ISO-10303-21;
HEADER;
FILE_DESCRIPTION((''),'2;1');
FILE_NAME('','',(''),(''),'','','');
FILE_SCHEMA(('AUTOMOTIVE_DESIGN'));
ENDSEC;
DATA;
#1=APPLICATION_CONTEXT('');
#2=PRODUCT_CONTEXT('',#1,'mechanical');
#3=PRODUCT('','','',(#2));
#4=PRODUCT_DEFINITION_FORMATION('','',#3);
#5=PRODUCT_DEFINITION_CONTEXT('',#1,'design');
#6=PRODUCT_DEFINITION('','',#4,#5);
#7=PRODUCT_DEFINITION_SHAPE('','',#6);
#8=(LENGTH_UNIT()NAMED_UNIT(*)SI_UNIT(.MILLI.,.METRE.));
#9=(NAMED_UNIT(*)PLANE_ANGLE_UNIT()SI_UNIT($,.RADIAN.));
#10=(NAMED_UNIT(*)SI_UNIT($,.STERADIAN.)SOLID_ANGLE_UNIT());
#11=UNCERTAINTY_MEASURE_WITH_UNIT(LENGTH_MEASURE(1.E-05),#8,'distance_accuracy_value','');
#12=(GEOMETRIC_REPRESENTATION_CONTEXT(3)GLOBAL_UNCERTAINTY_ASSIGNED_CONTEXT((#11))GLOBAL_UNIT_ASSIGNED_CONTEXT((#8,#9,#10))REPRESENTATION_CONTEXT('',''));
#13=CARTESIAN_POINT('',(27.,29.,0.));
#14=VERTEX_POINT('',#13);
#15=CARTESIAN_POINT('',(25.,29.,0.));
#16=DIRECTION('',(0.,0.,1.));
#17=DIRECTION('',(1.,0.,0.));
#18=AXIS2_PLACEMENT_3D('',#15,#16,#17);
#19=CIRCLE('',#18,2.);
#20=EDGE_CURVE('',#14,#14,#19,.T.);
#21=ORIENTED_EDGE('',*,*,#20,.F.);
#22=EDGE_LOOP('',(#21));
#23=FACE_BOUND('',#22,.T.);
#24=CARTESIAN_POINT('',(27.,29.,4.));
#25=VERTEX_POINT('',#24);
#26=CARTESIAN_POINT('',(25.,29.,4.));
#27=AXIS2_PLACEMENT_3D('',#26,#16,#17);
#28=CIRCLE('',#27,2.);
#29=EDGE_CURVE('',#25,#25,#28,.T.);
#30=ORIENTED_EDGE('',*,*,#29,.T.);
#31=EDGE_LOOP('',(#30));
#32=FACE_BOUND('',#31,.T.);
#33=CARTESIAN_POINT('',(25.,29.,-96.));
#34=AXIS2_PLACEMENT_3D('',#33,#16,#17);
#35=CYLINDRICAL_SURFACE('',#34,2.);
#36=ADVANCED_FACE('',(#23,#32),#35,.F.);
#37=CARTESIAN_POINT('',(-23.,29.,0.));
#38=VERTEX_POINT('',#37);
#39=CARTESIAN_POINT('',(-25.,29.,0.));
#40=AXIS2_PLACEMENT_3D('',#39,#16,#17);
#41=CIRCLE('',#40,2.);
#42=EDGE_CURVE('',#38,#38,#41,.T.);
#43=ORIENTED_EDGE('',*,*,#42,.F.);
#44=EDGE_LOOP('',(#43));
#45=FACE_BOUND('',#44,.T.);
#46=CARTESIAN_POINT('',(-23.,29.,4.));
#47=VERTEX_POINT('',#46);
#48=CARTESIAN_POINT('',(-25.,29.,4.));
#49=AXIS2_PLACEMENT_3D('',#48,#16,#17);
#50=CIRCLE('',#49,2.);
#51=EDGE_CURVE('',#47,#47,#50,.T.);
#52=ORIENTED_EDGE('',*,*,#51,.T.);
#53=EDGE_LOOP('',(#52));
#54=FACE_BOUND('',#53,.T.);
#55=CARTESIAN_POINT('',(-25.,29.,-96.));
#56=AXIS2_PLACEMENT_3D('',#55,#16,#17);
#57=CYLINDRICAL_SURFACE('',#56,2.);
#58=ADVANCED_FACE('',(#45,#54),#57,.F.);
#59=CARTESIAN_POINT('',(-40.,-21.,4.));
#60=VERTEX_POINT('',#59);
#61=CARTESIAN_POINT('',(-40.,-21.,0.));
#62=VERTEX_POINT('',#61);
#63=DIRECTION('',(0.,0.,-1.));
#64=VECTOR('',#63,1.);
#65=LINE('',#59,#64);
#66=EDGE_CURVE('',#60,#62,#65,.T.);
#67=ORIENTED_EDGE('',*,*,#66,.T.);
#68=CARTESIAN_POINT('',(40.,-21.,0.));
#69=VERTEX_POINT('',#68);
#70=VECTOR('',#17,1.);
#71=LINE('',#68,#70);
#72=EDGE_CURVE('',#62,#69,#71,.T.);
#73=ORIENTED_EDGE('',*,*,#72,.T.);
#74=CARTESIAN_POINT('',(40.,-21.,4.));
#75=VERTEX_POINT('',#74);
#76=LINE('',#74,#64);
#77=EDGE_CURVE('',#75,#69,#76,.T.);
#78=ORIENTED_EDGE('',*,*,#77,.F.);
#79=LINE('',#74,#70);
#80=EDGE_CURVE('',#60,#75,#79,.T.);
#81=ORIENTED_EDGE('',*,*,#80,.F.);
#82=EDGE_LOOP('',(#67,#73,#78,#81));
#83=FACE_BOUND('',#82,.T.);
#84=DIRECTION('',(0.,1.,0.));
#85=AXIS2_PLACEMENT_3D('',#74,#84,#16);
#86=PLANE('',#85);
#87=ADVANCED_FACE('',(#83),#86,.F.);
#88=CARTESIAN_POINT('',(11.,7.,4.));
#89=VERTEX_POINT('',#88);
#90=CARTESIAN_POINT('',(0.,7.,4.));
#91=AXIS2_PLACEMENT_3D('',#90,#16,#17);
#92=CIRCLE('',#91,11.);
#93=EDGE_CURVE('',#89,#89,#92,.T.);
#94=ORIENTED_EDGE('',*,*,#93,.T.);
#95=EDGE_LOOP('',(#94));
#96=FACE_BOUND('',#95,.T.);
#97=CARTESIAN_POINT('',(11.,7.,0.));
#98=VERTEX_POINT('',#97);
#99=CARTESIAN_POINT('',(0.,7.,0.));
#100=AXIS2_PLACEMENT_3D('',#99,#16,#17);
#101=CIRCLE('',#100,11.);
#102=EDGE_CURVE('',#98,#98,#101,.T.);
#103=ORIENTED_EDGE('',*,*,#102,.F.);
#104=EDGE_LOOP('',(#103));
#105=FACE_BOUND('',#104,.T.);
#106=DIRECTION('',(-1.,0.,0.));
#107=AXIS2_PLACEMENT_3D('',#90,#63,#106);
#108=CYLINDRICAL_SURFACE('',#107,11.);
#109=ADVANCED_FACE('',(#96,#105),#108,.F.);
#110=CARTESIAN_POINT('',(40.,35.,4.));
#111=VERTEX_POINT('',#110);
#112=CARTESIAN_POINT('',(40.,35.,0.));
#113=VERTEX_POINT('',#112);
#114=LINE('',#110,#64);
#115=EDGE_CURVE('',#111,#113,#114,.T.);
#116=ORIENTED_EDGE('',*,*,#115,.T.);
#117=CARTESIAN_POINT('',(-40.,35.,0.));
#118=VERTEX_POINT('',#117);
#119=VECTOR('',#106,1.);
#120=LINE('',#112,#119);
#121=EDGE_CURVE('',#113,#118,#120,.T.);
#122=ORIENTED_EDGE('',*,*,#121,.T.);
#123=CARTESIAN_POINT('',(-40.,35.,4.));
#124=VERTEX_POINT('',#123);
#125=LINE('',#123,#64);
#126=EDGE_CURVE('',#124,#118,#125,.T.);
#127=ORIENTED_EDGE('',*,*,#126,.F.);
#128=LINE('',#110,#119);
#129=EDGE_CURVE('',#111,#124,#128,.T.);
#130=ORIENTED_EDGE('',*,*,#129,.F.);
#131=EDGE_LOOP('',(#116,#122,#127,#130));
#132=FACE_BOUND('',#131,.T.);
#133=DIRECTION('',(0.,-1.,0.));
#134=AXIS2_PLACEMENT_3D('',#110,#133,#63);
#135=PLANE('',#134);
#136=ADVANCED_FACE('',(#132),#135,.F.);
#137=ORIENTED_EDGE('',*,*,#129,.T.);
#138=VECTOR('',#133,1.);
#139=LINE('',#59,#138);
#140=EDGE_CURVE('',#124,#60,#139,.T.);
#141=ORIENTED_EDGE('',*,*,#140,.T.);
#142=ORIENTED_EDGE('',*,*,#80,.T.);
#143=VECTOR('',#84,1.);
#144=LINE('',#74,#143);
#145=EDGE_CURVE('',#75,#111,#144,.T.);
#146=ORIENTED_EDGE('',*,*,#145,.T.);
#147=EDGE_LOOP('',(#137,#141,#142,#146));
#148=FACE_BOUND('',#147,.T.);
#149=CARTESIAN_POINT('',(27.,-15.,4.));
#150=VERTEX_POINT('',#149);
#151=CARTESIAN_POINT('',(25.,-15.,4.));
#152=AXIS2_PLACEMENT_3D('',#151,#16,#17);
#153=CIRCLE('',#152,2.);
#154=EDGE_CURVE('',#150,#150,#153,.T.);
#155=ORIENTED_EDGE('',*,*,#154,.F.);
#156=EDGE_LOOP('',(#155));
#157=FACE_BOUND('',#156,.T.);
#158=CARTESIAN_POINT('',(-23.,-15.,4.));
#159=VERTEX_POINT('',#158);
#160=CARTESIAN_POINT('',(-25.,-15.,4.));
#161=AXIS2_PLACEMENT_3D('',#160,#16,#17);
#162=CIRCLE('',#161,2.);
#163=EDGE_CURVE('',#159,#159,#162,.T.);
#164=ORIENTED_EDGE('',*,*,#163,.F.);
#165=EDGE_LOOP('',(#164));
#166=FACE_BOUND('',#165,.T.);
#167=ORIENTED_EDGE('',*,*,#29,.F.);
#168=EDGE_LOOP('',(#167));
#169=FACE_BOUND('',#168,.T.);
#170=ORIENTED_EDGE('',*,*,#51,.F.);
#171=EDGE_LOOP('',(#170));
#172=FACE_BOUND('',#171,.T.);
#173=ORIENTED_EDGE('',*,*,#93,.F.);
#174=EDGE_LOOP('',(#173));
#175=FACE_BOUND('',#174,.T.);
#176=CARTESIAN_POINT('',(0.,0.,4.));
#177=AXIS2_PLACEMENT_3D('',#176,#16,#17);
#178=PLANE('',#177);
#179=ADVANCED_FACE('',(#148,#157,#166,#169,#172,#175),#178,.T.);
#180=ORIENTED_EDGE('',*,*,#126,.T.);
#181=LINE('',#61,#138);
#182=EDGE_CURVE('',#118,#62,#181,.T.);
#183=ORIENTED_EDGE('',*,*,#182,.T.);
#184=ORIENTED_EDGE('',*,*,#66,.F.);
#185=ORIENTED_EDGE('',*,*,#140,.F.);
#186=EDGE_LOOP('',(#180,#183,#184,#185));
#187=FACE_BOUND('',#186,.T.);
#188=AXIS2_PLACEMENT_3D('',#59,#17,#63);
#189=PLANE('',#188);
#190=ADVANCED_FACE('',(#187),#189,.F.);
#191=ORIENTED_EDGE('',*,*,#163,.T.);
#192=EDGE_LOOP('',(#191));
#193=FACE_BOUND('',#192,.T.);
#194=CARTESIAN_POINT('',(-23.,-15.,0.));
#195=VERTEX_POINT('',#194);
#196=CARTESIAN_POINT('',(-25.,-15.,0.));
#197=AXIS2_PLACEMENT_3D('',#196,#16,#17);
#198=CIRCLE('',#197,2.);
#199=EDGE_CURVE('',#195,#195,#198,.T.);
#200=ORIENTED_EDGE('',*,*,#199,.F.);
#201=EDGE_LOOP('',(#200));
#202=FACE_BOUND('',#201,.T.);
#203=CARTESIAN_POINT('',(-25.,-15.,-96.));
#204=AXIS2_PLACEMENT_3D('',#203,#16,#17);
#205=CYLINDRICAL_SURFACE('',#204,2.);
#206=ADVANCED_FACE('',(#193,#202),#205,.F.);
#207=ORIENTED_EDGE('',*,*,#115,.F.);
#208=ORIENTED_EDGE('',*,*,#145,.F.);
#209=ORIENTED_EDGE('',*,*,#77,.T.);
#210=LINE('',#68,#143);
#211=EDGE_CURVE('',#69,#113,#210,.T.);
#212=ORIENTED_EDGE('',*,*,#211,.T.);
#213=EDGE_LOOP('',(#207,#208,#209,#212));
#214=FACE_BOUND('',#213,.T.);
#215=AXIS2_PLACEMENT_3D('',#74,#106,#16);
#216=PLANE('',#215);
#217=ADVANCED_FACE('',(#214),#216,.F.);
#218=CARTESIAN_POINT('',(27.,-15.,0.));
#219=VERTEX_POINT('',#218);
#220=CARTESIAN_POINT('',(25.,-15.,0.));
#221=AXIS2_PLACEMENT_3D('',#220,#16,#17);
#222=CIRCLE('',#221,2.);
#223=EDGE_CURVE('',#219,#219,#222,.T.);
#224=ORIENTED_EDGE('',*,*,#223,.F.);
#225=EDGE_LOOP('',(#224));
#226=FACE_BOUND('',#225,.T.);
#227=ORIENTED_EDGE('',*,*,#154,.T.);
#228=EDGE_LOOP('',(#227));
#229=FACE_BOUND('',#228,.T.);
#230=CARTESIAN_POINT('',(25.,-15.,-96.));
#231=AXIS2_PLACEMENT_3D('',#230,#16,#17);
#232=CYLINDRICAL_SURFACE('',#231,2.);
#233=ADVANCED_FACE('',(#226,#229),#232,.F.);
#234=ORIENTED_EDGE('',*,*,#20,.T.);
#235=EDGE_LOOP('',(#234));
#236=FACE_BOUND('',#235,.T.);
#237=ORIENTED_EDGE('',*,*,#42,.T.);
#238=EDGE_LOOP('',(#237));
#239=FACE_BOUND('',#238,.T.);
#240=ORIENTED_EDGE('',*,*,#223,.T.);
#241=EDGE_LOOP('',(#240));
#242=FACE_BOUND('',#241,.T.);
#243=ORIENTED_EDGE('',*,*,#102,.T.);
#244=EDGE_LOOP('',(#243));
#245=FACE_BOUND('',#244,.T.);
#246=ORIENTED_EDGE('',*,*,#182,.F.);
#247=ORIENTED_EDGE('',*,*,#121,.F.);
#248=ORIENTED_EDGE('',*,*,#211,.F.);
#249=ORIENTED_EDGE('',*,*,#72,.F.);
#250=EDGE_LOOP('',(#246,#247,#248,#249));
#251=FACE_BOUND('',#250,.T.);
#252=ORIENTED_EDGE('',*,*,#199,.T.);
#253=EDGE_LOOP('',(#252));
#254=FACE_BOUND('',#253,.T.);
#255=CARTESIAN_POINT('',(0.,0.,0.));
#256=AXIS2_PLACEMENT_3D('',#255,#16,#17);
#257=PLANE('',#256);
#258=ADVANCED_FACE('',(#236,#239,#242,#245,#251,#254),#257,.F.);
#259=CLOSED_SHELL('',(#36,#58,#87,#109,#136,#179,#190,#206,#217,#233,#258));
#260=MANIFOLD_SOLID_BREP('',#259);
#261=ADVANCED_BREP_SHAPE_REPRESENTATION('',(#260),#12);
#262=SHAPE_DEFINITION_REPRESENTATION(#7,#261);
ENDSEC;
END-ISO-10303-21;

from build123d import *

# Parameters (mm, degrees)
SKETCH_1_W                  = 80
SKETCH_1_H                  = 56
SKETCH_1_R                  = 11
EXTRUDE_1_DEPTH             = 4
SKETCH_2_R                  = 2
CUT_EXTRUDE_1_DEPTH         = 100
PATTERN_LINEAR_1_COUNT      = 2
PATTERN_LINEAR_1_PITCH      = 44
PATTERN_LINEAR_1_COUNT_DIR2 = 2
PATTERN_LINEAR_1_PITCH_DIR2 = 50


with BuildPart() as part:
    # 草图1 → 凸台-拉伸1 (new body)
    with BuildSketch(Plane.XY):
        with Locations((0, 7)):
            Rectangle(SKETCH_1_W, SKETCH_1_H)
        with Locations((0, 7)):
            Circle(SKETCH_1_R, mode=Mode.SUBTRACT)
    extrude(amount=EXTRUDE_1_DEPTH)

    # 草图2 → 切除-拉伸1 (cut)
    with BuildSketch(Plane.XY.offset(4)):
        with Locations((-25, -15)):
            Circle(SKETCH_2_R)
    cut_extrude_1 = extrude(amount=-CUT_EXTRUDE_1_DEPTH, mode=Mode.SUBTRACT)

    # 阵列(线性)1: Cut-Extrude 1 2 × 2
    with Locations(*[(j * PATTERN_LINEAR_1_PITCH_DIR2, i * PATTERN_LINEAR_1_PITCH, 0) for i in range(PATTERN_LINEAR_1_COUNT) for j in range(PATTERN_LINEAR_1_COUNT_DIR2) if (i, j) != (0, 0)]):
        add(cut_extrude_1, mode=Mode.SUBTRACT)


solid = part.part
